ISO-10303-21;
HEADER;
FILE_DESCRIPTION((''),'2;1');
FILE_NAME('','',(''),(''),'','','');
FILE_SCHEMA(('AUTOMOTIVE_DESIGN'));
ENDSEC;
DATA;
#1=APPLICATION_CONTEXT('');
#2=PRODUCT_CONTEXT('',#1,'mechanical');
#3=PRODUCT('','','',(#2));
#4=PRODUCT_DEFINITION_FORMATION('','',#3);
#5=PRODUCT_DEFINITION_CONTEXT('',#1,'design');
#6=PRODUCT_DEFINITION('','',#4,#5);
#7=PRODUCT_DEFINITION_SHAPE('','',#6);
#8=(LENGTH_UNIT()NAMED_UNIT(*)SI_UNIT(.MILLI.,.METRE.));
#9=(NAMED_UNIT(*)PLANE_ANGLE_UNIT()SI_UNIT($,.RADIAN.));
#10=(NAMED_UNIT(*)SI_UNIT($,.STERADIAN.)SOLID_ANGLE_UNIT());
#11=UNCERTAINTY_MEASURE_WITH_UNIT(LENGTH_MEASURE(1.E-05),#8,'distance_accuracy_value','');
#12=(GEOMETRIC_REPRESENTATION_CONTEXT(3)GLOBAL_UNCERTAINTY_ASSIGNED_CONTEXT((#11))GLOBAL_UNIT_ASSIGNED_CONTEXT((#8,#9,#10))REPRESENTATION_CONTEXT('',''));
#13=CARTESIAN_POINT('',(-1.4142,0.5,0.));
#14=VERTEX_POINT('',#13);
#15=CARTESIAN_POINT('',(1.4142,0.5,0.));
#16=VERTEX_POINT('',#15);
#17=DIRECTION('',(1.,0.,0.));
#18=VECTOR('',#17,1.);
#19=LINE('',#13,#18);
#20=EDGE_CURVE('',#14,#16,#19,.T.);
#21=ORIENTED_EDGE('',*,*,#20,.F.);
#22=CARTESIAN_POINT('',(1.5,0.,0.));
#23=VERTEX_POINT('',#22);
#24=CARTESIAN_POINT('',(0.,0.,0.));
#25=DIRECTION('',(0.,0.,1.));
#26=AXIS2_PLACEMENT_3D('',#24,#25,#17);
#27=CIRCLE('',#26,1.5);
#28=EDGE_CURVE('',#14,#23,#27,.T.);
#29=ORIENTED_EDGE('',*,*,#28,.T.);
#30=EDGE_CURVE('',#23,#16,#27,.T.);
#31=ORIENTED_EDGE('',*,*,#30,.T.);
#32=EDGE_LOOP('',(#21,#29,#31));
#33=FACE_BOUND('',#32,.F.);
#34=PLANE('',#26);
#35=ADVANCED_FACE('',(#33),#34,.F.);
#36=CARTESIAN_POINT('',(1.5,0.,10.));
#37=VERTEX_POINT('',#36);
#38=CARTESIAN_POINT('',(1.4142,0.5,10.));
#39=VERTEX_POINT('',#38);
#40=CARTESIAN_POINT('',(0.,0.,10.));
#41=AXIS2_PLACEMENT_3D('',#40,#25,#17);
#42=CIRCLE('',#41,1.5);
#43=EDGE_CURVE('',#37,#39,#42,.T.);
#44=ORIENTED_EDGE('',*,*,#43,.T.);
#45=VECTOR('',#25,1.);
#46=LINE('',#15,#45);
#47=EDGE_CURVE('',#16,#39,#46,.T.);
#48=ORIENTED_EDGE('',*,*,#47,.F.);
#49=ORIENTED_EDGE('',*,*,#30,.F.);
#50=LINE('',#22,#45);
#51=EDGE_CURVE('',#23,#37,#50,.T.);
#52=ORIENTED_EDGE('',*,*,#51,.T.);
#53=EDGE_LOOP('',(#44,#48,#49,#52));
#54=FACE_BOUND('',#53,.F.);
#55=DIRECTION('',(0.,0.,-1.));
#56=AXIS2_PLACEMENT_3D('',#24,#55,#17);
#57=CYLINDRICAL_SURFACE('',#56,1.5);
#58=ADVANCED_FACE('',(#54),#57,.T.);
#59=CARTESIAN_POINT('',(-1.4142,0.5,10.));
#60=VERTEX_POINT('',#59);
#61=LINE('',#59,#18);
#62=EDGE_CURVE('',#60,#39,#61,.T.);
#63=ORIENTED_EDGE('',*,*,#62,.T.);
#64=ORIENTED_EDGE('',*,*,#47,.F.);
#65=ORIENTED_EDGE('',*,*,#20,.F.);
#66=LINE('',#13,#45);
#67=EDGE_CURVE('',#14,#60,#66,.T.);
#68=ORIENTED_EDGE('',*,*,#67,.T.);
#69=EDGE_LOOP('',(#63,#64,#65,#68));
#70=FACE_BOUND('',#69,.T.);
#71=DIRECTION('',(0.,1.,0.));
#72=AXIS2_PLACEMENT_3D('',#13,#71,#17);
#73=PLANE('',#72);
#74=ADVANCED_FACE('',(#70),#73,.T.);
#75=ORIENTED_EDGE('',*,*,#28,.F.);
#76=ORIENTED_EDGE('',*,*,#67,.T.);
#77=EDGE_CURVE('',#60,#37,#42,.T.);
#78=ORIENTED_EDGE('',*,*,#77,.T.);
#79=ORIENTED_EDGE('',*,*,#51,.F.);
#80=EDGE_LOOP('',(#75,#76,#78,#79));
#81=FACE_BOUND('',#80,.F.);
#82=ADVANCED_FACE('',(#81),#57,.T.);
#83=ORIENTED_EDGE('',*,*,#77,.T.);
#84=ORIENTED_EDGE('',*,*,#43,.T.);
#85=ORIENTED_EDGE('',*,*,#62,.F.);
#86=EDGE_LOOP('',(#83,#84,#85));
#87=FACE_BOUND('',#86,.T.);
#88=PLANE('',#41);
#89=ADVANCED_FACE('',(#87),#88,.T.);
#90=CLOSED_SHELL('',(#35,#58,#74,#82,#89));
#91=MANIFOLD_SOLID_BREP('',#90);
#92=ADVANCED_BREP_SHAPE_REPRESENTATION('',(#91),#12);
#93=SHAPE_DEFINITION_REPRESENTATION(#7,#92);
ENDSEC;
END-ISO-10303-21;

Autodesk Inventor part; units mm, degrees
ref_plane "YZ Plane" through (0, 0, 0) normal (1, 0, 0) x (0, 1, 0)
ref_plane "XZ Plane" through (0, 0, 0) normal (0, 1, 0) x (-1, 0, 0)
ref_plane "XY Plane" through (0, 0, 0) normal (0, 0, 1) x (1, 0, 0)
sketch "Skizze1" plane through (0, 0, 0) normal (0, 0, 1) x (1, 0, 0)
  circle A0 centre (0, 0) radius 1.5
  line L0 (-1.4142, 0.5) -> (1.4142, 0.5)
  dimension "d0" = 3
  dimension "d1" = 1
extrude "Extrusion1" add sketch "Skizze1" along normal blind 10 contours A0 L0 picked at (0.0393, -0.1651)
properties part number "wheel_shaft"
